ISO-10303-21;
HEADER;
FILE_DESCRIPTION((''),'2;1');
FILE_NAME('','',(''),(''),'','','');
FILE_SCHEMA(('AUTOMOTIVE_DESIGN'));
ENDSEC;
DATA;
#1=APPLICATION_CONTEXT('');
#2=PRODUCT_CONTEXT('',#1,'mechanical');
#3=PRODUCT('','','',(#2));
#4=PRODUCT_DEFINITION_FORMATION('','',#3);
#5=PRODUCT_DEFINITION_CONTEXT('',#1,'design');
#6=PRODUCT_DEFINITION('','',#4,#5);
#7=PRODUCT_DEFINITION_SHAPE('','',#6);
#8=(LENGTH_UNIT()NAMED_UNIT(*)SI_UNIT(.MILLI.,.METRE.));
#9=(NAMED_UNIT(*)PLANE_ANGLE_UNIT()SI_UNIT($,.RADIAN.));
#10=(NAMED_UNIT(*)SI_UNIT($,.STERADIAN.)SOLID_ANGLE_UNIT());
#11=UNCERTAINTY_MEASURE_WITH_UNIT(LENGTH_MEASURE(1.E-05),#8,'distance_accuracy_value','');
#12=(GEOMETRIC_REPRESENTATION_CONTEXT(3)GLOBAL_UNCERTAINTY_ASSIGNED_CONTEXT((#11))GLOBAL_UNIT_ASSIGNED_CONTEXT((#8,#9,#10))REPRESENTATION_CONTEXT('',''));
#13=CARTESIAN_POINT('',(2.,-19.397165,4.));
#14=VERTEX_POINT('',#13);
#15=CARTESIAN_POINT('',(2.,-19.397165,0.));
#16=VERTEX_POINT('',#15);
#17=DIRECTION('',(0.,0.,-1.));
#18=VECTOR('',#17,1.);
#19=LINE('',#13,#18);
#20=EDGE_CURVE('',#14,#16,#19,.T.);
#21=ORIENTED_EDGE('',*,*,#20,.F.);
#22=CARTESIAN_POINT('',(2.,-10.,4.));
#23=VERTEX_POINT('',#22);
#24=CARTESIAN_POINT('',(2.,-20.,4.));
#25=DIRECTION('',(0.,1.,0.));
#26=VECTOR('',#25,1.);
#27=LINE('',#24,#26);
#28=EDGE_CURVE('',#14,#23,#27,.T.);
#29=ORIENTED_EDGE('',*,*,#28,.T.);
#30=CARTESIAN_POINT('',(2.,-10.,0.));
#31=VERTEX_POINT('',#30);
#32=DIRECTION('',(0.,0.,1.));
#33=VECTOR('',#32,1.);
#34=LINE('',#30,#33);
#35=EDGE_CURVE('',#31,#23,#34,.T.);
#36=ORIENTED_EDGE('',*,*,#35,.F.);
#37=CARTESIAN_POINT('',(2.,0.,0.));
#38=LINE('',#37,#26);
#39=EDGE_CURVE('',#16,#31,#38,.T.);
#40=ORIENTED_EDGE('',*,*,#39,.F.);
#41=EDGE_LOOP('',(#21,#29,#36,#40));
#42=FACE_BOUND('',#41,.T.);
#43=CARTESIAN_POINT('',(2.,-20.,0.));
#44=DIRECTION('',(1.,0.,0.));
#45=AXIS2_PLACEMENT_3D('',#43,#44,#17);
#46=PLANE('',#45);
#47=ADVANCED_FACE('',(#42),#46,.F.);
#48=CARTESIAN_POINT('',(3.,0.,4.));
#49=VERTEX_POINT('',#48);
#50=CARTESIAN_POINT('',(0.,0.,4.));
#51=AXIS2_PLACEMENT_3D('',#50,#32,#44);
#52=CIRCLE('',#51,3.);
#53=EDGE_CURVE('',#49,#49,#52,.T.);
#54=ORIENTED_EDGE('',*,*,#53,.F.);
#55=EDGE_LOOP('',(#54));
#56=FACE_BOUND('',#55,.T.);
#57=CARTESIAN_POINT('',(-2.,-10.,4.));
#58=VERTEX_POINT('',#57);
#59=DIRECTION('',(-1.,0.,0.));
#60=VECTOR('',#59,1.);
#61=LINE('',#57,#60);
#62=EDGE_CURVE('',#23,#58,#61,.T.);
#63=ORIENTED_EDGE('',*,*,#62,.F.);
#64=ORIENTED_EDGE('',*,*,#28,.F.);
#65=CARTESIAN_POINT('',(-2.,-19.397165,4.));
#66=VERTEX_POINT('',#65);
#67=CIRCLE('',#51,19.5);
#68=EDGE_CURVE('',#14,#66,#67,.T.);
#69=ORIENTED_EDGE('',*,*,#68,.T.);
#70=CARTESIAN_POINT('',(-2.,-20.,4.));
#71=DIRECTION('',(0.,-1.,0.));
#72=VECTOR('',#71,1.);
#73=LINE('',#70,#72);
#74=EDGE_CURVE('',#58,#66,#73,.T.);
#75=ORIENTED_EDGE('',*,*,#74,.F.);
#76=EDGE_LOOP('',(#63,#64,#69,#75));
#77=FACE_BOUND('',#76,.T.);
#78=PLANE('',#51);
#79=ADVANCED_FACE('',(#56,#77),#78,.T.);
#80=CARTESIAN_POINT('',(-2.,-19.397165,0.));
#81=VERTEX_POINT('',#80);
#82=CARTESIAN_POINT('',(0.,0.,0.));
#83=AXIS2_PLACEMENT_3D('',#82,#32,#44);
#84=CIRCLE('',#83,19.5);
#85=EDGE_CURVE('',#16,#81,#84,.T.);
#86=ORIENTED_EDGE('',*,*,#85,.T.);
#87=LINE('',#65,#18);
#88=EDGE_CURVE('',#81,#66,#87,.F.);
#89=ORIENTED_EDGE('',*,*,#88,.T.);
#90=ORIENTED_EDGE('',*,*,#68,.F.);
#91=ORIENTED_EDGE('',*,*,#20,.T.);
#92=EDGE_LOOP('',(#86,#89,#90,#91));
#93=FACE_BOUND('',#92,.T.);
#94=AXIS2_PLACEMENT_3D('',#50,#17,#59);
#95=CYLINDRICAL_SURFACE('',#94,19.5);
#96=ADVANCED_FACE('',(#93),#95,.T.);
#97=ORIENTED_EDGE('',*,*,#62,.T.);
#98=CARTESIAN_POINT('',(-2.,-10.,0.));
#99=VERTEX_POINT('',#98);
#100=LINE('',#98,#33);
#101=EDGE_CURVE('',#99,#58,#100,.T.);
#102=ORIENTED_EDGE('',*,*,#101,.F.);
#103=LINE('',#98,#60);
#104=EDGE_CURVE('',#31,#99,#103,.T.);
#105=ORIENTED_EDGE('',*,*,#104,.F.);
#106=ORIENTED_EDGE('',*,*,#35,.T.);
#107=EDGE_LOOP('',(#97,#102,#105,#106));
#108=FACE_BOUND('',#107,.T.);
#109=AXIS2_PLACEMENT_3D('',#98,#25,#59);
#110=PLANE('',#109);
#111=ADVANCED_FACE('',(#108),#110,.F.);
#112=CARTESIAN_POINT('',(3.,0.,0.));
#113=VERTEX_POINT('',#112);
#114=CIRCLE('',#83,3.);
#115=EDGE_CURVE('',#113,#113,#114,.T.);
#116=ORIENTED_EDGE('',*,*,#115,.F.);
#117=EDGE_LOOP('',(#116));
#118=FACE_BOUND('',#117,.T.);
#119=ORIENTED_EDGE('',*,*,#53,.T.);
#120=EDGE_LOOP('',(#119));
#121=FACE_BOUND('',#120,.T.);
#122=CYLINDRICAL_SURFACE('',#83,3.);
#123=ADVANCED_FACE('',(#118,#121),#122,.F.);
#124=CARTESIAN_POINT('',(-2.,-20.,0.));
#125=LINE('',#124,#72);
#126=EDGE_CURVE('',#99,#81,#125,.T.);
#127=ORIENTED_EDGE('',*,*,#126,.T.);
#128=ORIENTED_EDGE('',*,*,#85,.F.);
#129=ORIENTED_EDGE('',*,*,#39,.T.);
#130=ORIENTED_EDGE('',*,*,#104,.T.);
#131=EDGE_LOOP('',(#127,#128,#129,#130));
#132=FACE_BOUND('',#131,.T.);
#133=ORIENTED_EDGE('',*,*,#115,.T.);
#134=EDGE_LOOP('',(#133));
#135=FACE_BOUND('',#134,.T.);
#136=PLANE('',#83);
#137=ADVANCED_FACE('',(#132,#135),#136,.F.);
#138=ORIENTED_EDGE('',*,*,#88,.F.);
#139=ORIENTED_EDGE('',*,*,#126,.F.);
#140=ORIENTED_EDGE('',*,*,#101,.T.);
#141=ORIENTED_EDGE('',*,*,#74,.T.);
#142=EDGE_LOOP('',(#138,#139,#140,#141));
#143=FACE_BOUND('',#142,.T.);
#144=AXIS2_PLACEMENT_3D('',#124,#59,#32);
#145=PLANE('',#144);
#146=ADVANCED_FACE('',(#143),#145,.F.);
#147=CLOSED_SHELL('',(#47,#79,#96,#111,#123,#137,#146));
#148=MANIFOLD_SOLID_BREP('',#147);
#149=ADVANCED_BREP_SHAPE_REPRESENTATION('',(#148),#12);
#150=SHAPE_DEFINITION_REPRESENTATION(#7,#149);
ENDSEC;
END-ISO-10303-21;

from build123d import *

# Parameters (mm, degrees)
SKIZZE1_R                       = 19.5
AUFSATZ_LINEAR_AUSTRAGEN1_DEPTH = 4
SKIZZE4_R                       = 3
SCHNITT_LINEAR_AUSTRAGEN2_DEPTH = 4
SKIZZE6_W                       = 4
SKIZZE6_H                       = 10
SCHNITT_LINEAR_AUSTRAGEN3_DEPTH = 4


with BuildPart() as part:
    # Skizze1 → Aufsatz-Linear austragen1 (new body)
    with BuildSketch(Plane.XY):
        Circle(SKIZZE1_R)
    extrude(amount=AUFSATZ_LINEAR_AUSTRAGEN1_DEPTH)

    # Skizze4 → Schnitt-Linear austragen2 (cut)
    with BuildSketch(Plane.XY.offset(4)):
        Circle(SKIZZE4_R)
    extrude(amount=-SCHNITT_LINEAR_AUSTRAGEN2_DEPTH, mode=Mode.SUBTRACT)

    # Skizze6 → Schnitt-Linear austragen3 (cut)
    with BuildSketch(Plane.XY.offset(4)):
        with Locations((0, -15)):
            Rectangle(SKIZZE6_W, SKIZZE6_H)
    extrude(amount=-SCHNITT_LINEAR_AUSTRAGEN3_DEPTH, mode=Mode.SUBTRACT)


solid = part.part
